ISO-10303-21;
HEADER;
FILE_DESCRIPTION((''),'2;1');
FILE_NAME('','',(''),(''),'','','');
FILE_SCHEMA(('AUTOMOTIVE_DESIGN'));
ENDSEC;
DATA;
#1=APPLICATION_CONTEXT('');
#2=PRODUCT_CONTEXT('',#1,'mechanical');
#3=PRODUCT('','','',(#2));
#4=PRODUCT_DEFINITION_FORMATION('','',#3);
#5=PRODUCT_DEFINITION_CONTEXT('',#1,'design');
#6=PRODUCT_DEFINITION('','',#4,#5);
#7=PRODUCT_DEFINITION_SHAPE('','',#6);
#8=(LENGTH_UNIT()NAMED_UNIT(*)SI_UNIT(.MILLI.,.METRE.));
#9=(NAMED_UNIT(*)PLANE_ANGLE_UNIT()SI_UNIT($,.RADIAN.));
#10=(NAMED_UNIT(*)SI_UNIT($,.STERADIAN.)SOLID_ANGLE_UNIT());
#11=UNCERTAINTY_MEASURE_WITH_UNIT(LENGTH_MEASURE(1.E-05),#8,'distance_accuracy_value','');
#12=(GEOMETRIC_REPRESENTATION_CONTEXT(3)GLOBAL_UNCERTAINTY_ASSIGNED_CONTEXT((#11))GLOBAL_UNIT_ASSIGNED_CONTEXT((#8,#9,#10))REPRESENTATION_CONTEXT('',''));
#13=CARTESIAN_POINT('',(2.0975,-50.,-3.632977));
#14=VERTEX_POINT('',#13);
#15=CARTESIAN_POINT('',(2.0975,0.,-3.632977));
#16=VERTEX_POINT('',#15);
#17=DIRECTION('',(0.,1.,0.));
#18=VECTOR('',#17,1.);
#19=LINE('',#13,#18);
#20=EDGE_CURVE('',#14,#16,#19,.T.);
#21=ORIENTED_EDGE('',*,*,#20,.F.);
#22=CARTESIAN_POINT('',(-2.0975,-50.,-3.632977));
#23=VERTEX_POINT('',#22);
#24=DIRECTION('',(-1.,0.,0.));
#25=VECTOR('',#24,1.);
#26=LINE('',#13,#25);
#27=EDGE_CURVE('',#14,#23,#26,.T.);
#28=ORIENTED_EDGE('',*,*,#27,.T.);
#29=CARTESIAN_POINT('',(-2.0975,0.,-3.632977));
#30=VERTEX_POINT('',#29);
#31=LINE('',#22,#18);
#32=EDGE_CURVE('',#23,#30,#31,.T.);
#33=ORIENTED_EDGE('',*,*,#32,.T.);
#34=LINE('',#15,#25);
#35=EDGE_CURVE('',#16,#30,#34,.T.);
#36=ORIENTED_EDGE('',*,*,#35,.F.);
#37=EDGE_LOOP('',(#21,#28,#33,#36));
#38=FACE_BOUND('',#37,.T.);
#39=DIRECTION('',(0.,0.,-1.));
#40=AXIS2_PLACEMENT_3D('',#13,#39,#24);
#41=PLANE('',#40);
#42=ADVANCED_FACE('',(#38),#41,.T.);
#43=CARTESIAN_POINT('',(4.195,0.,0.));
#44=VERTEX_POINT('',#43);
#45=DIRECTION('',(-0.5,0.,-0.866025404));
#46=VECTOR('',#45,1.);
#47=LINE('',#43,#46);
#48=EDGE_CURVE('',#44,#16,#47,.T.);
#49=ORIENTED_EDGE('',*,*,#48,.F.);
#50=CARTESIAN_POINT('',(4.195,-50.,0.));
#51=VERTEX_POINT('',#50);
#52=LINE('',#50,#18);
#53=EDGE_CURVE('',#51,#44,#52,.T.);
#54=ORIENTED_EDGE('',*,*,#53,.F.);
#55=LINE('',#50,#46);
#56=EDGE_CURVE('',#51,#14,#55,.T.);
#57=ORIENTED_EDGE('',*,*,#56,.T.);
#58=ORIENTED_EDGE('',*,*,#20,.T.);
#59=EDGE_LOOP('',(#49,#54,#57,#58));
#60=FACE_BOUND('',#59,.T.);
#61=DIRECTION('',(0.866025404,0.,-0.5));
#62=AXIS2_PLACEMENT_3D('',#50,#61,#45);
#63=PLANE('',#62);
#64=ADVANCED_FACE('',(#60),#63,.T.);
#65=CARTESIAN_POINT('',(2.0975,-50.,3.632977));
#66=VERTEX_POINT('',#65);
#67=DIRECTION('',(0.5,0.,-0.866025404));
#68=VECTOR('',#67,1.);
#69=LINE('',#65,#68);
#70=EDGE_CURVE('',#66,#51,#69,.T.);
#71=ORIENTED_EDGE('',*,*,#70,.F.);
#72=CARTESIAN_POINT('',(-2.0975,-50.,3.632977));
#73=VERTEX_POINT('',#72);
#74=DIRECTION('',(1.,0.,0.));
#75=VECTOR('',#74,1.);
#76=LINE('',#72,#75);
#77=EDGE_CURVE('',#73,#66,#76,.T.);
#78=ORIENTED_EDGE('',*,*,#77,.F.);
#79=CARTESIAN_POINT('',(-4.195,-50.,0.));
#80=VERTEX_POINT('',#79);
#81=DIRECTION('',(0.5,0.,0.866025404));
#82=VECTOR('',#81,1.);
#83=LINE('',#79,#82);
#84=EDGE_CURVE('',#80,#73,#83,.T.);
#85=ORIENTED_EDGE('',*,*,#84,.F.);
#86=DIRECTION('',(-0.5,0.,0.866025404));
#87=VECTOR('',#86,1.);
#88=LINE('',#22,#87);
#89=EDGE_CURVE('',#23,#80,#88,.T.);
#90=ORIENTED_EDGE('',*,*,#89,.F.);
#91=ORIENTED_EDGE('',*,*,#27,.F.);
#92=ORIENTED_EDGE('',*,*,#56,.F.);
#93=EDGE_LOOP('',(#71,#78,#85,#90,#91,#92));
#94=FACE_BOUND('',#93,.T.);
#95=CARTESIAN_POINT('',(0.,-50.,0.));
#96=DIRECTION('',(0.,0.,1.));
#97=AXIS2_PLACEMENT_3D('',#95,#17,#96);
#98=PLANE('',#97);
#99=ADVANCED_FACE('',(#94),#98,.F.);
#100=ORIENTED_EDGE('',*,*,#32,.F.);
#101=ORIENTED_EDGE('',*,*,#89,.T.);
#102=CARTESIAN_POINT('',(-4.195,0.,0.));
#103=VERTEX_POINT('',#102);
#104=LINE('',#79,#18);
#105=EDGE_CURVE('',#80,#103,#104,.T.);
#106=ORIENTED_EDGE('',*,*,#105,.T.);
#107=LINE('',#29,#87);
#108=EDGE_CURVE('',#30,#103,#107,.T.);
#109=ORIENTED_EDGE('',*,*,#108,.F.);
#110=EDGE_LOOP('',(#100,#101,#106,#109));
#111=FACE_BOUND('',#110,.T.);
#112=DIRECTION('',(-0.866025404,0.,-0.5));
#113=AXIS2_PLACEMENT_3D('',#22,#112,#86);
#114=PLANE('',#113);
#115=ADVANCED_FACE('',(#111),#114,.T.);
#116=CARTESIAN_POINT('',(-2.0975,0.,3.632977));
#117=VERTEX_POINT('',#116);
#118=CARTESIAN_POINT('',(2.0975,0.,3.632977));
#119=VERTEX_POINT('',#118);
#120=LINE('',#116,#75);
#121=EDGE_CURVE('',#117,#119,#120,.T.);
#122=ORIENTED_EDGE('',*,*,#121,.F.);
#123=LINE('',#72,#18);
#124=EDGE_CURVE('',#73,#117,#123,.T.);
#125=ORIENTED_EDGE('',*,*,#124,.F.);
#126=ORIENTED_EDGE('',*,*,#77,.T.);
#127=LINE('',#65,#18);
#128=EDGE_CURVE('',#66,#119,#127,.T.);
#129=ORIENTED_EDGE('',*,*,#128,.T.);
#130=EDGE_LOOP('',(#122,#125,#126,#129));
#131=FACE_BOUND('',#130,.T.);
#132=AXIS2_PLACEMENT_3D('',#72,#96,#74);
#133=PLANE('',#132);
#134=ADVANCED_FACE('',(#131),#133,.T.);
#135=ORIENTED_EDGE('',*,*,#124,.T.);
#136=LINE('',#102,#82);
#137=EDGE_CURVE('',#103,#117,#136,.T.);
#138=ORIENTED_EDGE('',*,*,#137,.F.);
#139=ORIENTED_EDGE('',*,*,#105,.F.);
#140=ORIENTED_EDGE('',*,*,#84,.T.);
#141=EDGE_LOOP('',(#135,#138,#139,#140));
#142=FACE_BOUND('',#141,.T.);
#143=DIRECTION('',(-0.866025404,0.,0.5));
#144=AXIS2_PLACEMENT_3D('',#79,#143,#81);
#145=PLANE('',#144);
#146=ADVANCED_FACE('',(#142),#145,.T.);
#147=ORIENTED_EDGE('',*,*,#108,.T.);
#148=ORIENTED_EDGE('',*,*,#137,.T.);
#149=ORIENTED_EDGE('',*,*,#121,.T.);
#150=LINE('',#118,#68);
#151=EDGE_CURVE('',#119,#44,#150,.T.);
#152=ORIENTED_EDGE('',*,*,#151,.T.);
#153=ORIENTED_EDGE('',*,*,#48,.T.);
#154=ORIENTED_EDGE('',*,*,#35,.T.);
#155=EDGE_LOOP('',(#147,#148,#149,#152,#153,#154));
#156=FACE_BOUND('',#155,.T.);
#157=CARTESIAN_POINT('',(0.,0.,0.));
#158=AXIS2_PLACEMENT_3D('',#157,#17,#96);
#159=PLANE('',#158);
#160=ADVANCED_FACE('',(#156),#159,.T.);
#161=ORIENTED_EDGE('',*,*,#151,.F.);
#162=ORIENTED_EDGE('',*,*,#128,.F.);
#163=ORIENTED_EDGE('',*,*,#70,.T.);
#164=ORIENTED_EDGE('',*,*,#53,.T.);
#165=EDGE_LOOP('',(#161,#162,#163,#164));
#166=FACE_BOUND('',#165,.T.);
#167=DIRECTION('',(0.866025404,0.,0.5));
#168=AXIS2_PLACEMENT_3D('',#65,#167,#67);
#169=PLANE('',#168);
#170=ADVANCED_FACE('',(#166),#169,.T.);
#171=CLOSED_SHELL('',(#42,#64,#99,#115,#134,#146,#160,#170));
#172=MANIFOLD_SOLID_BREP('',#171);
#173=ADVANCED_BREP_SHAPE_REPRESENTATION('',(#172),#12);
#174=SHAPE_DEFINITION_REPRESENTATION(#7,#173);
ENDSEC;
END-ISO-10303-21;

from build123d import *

# Parameters (mm, degrees)
BOSS_EXTRUDE1_DEPTH = 50


with BuildPart() as part:
    # Sketch1 → Boss-Extrude1 (new body)
    with BuildSketch(Plane(origin=(0, 0, 0), x_dir=(1, 0, 0), z_dir=(0, 1, 0))):
        Polygon((2.0975, 3.632976569), (-2.0975, 3.632976569), (-4.195, 0), (-2.0975, -3.632976569), (2.0975, -3.632976569), (4.195, 0), align=None)
    extrude(amount=-BOSS_EXTRUDE1_DEPTH)


solid = part.part
